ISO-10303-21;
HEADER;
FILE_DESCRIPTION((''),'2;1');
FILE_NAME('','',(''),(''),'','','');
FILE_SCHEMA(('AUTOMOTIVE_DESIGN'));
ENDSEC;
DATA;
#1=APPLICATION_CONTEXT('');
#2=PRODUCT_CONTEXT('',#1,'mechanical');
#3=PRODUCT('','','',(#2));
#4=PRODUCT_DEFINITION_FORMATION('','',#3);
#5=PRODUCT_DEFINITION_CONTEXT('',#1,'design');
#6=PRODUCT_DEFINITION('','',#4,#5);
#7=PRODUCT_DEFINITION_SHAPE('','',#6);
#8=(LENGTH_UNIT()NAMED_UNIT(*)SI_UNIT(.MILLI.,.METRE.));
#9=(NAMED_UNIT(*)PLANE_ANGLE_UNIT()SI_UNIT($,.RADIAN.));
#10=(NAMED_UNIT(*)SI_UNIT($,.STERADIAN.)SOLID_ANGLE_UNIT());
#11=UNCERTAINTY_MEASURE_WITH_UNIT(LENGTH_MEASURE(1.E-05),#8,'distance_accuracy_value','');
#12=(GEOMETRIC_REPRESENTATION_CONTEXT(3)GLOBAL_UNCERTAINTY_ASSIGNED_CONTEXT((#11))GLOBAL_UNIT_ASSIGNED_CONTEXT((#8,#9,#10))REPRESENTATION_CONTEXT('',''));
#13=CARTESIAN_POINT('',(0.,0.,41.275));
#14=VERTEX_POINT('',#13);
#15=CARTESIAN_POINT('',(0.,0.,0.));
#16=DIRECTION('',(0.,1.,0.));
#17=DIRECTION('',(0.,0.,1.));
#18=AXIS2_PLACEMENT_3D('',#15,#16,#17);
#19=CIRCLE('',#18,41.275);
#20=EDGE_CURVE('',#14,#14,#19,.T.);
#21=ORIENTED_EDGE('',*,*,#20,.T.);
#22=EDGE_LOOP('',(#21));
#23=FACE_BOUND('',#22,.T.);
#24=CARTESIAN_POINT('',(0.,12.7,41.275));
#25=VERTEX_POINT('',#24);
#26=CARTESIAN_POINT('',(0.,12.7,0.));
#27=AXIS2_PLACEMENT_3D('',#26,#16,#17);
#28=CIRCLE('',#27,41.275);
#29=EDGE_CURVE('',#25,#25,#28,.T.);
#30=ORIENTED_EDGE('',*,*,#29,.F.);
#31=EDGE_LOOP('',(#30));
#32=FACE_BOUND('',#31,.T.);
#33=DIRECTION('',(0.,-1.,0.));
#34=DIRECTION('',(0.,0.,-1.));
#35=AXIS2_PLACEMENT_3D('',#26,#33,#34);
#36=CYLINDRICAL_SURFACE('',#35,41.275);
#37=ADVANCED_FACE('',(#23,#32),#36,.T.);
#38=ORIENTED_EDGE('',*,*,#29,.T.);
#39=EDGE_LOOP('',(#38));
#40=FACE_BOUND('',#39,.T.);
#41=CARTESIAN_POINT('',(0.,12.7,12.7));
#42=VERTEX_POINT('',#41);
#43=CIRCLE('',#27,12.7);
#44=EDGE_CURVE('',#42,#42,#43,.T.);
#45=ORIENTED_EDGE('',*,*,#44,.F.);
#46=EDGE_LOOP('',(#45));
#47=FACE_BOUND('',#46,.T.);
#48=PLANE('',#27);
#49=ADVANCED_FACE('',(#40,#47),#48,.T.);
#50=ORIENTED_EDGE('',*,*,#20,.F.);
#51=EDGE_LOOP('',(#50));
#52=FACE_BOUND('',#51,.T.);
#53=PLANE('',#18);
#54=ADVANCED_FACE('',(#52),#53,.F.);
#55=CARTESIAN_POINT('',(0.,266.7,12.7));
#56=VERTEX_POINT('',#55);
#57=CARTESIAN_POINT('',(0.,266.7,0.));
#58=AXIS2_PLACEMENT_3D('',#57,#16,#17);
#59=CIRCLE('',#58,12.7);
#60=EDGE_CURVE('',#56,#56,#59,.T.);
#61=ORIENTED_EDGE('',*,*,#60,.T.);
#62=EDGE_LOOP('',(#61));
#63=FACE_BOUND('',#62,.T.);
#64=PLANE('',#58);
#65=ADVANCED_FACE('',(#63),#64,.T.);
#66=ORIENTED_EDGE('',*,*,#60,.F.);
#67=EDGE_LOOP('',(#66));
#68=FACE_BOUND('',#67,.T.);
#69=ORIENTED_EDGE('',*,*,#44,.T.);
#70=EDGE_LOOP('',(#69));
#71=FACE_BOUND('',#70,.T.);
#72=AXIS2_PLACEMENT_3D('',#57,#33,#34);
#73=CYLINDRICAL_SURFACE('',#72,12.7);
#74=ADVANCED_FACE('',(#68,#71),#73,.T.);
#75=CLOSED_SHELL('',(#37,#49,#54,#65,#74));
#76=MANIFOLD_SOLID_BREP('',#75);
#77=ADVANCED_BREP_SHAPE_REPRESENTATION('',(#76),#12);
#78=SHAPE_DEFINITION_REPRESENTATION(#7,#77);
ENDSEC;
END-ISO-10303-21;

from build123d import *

# Parameters (mm, degrees)
SKETCH3_R           = 41.275
BOSS_EXTRUDE3_DEPTH = 12.7
SKETCH4_R           = 12.7
BOSS_EXTRUDE4_DEPTH = 254


with BuildPart() as part:
    # Sketch3 → Boss-Extrude3 (new body)
    with BuildSketch(Plane(origin=(0, 0, 0), x_dir=(1, 0, 0), z_dir=(0, 1, 0))):
        Circle(SKETCH3_R)
    extrude(amount=BOSS_EXTRUDE3_DEPTH)

    # Sketch4 → Boss-Extrude4 (add)
    with BuildSketch(Plane(origin=(0, 12.7, 0), x_dir=(1, 0, 0), z_dir=(0, 1, 0))):
        Circle(SKETCH4_R)
    extrude(amount=BOSS_EXTRUDE4_DEPTH)


solid = part.part
